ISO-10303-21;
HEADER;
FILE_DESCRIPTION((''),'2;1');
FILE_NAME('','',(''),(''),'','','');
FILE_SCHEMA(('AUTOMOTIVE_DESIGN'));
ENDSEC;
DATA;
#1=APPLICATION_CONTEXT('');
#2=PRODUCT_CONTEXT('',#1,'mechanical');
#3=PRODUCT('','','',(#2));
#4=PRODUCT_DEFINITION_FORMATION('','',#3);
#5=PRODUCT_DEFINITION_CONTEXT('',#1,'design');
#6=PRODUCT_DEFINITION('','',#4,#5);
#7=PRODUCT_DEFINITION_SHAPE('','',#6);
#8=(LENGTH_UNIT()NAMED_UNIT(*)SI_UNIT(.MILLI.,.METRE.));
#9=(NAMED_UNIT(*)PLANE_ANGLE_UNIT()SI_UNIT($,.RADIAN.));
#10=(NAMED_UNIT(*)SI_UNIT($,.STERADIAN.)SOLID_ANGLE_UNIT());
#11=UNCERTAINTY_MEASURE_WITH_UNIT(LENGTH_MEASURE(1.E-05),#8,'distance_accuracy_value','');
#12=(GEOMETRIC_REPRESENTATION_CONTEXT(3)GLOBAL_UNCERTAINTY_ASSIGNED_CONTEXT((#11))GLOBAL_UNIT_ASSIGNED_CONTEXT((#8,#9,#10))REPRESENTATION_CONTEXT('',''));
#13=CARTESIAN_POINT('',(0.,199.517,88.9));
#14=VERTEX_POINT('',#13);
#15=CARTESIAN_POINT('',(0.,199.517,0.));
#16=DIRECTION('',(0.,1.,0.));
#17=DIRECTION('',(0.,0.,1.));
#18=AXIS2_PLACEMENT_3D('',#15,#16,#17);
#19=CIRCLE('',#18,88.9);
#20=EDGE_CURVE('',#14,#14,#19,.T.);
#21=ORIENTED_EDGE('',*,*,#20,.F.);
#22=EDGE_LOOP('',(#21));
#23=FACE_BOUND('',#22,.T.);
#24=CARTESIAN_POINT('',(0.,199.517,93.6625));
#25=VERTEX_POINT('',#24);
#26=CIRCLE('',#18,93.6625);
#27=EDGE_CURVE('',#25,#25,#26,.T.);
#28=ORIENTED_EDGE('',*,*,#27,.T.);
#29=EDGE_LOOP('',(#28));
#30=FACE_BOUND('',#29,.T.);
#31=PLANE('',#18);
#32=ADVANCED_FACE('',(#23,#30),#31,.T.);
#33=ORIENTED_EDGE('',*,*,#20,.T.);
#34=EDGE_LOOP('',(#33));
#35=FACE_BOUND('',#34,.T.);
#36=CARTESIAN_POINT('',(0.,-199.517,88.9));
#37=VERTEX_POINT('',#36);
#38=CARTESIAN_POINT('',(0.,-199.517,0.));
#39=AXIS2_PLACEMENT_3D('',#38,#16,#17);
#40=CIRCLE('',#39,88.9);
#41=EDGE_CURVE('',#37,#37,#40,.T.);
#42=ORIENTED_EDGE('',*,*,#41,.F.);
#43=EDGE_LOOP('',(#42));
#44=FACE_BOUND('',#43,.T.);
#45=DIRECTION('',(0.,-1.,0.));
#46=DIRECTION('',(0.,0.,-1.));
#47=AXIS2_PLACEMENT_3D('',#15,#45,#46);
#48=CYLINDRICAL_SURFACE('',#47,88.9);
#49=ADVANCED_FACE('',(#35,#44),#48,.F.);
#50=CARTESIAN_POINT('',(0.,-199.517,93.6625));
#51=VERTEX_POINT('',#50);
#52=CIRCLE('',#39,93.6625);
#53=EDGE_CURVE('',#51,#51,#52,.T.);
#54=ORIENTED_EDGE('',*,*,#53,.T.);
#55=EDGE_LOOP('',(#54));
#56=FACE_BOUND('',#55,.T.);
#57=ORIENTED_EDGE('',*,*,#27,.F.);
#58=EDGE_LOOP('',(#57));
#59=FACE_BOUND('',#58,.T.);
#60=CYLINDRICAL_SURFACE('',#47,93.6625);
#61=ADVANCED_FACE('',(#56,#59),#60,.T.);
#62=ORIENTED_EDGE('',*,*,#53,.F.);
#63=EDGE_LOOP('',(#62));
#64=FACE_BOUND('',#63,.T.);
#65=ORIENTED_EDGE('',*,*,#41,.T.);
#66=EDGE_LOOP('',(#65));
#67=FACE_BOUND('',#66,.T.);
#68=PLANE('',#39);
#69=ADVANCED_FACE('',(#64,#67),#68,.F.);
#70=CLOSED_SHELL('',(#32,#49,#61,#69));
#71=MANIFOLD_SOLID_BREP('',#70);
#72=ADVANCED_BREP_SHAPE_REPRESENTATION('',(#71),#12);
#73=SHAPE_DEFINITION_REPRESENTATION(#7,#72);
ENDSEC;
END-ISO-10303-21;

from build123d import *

# Parameters (mm, degrees)
SKETCH1_R           = 93.6625
SKETCH1_R_2         = 88.9
BOSS_EXTRUDE1_DEPTH = 199.517


with BuildPart() as part:
    # Sketch1 → Boss-Extrude1 (new body, symmetric)
    with BuildSketch(Plane(origin=(0, 0, 0), x_dir=(1, 0, 0), z_dir=(0, 1, 0))):
        Circle(SKETCH1_R)
        Circle(SKETCH1_R_2, mode=Mode.SUBTRACT)
    extrude(amount=BOSS_EXTRUDE1_DEPTH, both=True)


solid = part.part
